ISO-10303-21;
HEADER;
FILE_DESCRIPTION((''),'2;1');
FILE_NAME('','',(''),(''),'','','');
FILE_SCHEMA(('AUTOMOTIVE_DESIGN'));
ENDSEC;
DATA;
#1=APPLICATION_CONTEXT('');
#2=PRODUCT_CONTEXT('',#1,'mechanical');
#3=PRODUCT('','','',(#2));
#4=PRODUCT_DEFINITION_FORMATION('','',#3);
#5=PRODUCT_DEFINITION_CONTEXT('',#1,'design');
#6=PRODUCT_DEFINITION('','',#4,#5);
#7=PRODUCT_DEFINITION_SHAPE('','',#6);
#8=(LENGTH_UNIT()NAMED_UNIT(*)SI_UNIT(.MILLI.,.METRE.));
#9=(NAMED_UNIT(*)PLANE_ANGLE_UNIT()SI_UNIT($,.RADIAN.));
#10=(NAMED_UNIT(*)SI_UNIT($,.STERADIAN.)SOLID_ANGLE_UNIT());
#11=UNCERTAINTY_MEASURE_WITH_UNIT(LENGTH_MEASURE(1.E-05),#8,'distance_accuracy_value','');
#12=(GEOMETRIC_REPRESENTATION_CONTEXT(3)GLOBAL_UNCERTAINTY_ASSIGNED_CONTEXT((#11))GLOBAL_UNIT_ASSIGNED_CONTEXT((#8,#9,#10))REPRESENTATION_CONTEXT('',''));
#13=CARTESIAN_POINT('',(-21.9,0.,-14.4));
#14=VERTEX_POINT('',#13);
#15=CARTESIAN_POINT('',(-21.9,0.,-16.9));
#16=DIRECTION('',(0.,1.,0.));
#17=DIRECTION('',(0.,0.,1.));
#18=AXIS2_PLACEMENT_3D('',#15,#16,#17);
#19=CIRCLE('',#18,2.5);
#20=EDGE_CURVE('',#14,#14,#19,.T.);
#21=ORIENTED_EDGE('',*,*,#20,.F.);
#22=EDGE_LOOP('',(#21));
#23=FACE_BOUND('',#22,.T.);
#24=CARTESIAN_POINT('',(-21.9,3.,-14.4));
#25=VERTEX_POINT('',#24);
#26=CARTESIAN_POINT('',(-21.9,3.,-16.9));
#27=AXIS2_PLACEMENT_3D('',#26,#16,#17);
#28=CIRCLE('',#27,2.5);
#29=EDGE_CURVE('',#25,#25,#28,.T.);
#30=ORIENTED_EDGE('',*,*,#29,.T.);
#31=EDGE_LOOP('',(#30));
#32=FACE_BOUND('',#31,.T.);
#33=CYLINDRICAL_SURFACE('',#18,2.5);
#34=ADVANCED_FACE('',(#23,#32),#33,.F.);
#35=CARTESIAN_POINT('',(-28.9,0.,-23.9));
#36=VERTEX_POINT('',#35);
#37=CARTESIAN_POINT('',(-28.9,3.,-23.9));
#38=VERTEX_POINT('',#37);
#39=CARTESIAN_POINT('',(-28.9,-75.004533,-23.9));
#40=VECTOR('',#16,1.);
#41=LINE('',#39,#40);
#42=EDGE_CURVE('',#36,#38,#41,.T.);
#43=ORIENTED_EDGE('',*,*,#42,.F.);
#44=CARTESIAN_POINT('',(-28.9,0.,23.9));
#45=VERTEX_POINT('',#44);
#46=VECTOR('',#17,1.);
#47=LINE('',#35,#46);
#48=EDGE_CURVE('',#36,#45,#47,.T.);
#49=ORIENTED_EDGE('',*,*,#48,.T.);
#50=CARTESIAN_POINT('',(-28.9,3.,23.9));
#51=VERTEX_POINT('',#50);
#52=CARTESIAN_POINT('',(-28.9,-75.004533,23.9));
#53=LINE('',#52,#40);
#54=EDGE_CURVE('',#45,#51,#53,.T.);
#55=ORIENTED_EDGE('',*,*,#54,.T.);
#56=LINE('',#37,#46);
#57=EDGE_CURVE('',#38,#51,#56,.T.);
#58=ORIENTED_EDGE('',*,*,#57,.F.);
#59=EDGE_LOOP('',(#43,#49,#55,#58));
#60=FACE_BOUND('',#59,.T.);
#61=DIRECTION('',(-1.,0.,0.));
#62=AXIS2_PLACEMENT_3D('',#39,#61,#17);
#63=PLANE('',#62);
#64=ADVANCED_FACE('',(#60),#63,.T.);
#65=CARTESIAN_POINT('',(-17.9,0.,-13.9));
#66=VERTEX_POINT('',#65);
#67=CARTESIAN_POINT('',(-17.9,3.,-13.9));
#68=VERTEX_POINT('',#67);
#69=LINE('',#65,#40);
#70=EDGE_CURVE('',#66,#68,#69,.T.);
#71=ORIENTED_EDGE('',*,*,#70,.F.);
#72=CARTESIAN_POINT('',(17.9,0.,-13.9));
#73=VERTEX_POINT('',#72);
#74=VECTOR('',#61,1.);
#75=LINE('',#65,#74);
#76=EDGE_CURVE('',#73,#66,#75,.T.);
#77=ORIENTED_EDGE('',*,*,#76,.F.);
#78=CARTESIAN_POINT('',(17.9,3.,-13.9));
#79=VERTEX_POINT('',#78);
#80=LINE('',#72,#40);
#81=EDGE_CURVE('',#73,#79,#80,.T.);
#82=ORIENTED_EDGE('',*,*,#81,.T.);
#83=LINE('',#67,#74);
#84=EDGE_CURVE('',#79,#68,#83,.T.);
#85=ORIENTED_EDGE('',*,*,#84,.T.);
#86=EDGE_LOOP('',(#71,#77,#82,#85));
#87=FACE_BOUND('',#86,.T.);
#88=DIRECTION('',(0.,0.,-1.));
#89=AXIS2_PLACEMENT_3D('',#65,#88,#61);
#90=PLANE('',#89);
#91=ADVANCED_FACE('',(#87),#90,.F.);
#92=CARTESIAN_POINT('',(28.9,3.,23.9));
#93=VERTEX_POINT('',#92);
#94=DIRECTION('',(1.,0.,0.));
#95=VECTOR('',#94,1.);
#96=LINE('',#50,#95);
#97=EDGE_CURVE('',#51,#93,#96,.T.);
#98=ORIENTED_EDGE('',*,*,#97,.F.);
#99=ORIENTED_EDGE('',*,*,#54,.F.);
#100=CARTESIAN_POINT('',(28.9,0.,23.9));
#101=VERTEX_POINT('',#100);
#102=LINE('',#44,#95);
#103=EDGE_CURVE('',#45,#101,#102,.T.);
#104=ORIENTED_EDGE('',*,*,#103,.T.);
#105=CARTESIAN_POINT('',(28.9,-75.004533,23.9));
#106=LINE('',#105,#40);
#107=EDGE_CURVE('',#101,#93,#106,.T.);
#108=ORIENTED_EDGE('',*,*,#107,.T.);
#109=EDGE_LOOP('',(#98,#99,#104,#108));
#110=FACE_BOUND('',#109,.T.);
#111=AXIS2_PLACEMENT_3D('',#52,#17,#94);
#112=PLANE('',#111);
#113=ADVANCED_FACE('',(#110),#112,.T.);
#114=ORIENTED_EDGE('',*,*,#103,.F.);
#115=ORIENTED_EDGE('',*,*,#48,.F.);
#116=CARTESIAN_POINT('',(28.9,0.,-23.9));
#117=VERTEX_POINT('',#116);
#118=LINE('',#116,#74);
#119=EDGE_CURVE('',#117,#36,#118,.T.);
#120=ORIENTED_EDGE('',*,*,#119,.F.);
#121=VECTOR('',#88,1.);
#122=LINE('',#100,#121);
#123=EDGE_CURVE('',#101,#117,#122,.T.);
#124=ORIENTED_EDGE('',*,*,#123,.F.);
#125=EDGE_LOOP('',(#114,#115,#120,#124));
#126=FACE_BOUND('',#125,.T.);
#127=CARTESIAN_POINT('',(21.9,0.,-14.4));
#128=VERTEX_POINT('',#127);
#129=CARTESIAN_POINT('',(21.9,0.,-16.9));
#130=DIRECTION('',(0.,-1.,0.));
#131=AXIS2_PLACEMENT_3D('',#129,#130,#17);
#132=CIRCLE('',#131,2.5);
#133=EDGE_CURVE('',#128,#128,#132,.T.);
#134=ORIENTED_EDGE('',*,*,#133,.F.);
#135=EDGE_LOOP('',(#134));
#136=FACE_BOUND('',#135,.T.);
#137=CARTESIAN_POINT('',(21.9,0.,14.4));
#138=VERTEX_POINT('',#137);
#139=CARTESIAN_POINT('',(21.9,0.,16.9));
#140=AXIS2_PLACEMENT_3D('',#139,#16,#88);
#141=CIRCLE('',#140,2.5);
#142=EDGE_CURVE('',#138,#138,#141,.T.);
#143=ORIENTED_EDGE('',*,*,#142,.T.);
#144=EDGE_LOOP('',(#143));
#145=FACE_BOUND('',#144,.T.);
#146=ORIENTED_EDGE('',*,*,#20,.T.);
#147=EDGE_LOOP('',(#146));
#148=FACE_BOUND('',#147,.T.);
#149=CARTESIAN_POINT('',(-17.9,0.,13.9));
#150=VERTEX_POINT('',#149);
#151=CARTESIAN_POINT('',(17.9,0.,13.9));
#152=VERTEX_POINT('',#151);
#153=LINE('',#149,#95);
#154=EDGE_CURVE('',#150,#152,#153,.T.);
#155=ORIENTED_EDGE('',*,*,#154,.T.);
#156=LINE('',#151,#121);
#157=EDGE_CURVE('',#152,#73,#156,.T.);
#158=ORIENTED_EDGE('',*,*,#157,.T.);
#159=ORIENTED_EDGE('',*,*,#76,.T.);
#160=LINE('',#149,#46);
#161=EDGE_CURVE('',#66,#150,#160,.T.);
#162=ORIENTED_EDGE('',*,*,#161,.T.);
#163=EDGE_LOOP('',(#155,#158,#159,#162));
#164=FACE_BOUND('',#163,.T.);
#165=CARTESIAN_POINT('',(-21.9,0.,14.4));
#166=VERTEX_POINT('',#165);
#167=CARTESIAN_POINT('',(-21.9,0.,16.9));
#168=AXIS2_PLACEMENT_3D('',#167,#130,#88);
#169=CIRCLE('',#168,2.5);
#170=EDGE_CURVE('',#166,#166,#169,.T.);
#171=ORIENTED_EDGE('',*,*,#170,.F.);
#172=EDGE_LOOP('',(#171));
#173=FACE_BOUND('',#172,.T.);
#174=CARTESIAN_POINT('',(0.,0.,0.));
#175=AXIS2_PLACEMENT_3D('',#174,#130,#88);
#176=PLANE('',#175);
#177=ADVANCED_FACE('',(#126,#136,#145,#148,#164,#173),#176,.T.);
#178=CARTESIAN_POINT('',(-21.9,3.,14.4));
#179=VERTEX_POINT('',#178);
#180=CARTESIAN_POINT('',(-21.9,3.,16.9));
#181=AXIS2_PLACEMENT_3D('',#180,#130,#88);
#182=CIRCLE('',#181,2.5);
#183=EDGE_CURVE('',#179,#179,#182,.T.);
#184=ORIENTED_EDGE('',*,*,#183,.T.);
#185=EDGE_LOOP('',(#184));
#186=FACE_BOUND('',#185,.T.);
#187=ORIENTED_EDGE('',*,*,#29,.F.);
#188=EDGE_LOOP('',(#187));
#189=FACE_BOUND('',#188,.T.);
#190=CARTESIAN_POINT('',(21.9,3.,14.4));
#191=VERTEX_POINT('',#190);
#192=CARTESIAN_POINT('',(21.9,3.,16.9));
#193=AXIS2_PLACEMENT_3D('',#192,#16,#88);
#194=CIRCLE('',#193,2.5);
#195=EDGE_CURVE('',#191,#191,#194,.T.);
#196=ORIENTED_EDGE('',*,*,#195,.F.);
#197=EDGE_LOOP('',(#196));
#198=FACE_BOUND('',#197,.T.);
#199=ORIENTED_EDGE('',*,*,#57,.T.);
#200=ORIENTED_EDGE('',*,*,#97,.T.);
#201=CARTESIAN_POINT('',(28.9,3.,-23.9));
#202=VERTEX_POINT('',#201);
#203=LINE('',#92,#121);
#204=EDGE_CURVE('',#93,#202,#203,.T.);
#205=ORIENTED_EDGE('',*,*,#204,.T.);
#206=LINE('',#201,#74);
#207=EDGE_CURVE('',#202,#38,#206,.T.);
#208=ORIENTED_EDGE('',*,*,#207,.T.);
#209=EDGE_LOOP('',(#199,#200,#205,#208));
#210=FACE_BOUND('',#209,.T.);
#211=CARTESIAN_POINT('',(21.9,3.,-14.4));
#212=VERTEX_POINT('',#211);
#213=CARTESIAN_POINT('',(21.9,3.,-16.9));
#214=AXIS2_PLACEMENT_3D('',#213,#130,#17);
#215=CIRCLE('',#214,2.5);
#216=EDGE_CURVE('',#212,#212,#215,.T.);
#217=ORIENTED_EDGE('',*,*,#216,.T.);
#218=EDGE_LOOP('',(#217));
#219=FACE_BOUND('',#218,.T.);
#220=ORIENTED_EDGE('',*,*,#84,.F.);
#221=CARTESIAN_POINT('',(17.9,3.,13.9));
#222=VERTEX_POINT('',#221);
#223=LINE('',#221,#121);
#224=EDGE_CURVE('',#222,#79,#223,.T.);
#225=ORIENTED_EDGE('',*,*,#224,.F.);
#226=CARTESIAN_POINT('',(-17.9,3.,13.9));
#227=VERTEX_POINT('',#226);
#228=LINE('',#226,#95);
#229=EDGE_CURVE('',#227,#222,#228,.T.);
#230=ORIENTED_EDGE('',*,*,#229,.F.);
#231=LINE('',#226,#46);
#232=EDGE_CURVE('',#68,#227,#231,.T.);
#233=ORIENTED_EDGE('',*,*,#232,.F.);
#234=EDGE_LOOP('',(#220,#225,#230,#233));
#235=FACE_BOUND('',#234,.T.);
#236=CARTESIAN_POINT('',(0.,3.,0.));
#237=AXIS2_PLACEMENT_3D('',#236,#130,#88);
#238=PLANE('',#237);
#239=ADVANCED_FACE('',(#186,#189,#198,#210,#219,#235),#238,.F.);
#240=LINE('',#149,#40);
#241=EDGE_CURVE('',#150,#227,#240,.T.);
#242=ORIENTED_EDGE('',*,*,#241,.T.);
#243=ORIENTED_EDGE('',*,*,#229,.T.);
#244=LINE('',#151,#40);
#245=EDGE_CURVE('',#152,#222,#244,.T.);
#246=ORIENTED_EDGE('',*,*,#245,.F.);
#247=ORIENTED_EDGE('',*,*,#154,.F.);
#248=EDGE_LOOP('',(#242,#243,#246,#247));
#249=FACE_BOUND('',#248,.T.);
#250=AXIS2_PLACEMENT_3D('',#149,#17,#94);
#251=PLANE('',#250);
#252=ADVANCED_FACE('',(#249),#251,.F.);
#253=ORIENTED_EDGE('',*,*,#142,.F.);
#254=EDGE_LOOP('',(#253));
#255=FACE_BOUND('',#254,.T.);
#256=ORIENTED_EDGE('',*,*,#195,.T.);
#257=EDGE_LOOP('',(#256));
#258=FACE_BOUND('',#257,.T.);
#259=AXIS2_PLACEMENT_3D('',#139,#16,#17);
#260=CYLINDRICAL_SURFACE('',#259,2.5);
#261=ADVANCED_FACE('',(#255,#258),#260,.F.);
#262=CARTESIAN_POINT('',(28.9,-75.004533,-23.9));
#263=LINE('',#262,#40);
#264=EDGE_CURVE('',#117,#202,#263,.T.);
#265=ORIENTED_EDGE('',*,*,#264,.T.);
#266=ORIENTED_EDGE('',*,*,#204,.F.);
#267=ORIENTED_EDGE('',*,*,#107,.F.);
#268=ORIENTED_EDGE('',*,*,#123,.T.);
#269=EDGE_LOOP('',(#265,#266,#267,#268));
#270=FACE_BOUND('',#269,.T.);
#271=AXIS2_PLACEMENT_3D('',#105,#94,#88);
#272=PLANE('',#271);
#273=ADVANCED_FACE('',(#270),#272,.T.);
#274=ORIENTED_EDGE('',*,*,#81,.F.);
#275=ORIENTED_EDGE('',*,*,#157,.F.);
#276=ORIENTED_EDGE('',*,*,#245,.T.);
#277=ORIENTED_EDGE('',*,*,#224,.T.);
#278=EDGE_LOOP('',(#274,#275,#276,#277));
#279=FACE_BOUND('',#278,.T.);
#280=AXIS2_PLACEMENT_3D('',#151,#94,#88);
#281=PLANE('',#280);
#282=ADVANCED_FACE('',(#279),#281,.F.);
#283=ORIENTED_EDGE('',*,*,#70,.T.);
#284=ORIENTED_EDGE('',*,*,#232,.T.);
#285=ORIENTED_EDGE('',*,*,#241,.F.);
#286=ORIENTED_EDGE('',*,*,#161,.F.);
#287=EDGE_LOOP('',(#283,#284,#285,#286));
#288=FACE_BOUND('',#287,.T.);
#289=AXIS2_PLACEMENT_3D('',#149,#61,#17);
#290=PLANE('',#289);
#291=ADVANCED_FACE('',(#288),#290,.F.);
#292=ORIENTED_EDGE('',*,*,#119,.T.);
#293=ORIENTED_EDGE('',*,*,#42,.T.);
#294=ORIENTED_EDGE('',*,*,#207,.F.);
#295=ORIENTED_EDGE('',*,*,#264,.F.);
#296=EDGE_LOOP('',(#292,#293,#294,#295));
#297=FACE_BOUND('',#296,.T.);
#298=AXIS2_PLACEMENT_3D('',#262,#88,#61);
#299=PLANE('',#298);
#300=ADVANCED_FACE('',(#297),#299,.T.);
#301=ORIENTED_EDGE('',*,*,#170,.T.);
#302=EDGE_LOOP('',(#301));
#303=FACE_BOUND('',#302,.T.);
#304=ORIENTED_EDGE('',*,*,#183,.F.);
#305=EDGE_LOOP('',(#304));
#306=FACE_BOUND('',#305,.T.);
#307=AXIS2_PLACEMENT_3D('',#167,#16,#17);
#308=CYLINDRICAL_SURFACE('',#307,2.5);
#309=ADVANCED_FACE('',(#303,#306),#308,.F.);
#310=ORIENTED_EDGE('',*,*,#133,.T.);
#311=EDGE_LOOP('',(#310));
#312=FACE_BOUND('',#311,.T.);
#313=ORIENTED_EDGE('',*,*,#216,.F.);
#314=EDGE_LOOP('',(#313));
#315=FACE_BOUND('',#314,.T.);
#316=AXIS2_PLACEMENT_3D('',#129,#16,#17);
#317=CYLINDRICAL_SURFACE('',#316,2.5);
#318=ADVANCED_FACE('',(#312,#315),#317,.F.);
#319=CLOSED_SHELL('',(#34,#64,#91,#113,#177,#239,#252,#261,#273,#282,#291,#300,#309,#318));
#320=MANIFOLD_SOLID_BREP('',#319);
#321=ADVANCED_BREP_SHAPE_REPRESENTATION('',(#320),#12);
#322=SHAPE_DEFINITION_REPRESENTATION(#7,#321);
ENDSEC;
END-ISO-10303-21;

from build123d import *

# Parameters (mm, degrees)
SKETCH1_W                                = 49.8
SKETCH1_H                                = 39.8
BOSS_EXTRUDE1_DEPTH                      = 3
CUT_EXTRUDE1_DEPTH                       = 3
MIRROR1_AT_THE_SECOND_PLANE_COPY_1_DEPTH = 3
SKETCH3_W                                = 35.8
SKETCH3_H                                = 27.8
CUT_EXTRUDE2_DEPTH                       = 3
SKETCH4_W                                = 57.8
SKETCH4_H                                = 47.8
SKETCH4_W_2                              = 49.8
SKETCH4_H_2                              = 39.8
BOSS_EXTRUDE2_DEPTH                      = 3


with BuildPart() as part:
    # Sketch1 → Boss-Extrude1 (new body)
    with BuildSketch(Plane(origin=(0, 0, 0), x_dir=(1, 0, 0), z_dir=(0, 1, 0))):
        Rectangle(SKETCH1_W, SKETCH1_H)
    extrude(amount=BOSS_EXTRUDE1_DEPTH)

    # Sketch2 → Cut-Extrude1 (cut)
    with BuildSketch(Plane(origin=(0, 3, 0), x_dir=(1, 0, 0), z_dir=(0, 1, 0))):
        with BuildLine():
            ThreePointArc((-21.9, 14.4), (-20.132233047, 15.132233047), (-19.4, 16.9))
            Line((-19.4, 16.9), (-21.9, 16.9))
            Line((-21.9, 16.9), (-21.9, 14.4))
        make_face()
        with BuildLine():
            Line((-21.9, 16.9), (-19.4, 16.9))
            ThreePointArc((-19.4, 16.9), (-23.667766953, 18.667766953), (-21.9, 14.4))
            Line((-21.9, 14.4), (-21.9, 16.9))
        make_face()
    cut_extrude1 = extrude(amount=-CUT_EXTRUDE1_DEPTH, mode=Mode.SUBTRACT)

    # Mirror1: Cut-Extrude1 across plane
    add(cut_extrude1.mirror(Plane(origin=(0, 0, 0), x_dir=(0, 0, 1), z_dir=(1, 0, 0))), mode=Mode.SUBTRACT)

    # Mirror1 at the second plane: Cut-Extrude1 across plane
    add(cut_extrude1.mirror(Plane(origin=(0, 0, 0), x_dir=(1, 0, 0), z_dir=(0, 0, -1))), mode=Mode.SUBTRACT)

    # Mirror1 at the second plane copy 1 sketc → Mirror1 at the second plane copy 1 (cut)
    with BuildSketch(Plane(origin=(0, 3, 0), x_dir=(-1, 0, 0), z_dir=(0, 1, 0))):
        with BuildLine():
            ThreePointArc((-21.9, 14.4), (-20.132233047, 15.132233047), (-19.4, 16.9))
            Line((-19.4, 16.9), (-21.9, 16.9))
            Line((-21.9, 16.9), (-21.9, 14.4))
        make_face()
        with BuildLine():
            Line((-21.9, 16.9), (-19.4, 16.9))
            ThreePointArc((-19.4, 16.9), (-23.667766953, 18.667766953), (-21.9, 14.4))
            Line((-21.9, 14.4), (-21.9, 16.9))
        make_face()
    extrude(amount=-MIRROR1_AT_THE_SECOND_PLANE_COPY_1_DEPTH, mode=Mode.SUBTRACT)

    # Sketch3 → Cut-Extrude2 (cut)
    with BuildSketch(Plane(origin=(0, 3, 0), x_dir=(1, 0, 0), z_dir=(0, 1, 0))):
        Rectangle(SKETCH3_W, SKETCH3_H)
    extrude(amount=-CUT_EXTRUDE2_DEPTH, mode=Mode.SUBTRACT)

    # Sketch4 → Boss-Extrude2 (add)
    with BuildSketch(Plane(origin=(0, 3, 0), x_dir=(1, 0, 0), z_dir=(0, 1, 0))):
        Rectangle(SKETCH4_W, SKETCH4_H)
        Rectangle(SKETCH4_W_2, SKETCH4_H_2, mode=Mode.SUBTRACT)
    extrude(amount=-BOSS_EXTRUDE2_DEPTH)


solid = part.part
